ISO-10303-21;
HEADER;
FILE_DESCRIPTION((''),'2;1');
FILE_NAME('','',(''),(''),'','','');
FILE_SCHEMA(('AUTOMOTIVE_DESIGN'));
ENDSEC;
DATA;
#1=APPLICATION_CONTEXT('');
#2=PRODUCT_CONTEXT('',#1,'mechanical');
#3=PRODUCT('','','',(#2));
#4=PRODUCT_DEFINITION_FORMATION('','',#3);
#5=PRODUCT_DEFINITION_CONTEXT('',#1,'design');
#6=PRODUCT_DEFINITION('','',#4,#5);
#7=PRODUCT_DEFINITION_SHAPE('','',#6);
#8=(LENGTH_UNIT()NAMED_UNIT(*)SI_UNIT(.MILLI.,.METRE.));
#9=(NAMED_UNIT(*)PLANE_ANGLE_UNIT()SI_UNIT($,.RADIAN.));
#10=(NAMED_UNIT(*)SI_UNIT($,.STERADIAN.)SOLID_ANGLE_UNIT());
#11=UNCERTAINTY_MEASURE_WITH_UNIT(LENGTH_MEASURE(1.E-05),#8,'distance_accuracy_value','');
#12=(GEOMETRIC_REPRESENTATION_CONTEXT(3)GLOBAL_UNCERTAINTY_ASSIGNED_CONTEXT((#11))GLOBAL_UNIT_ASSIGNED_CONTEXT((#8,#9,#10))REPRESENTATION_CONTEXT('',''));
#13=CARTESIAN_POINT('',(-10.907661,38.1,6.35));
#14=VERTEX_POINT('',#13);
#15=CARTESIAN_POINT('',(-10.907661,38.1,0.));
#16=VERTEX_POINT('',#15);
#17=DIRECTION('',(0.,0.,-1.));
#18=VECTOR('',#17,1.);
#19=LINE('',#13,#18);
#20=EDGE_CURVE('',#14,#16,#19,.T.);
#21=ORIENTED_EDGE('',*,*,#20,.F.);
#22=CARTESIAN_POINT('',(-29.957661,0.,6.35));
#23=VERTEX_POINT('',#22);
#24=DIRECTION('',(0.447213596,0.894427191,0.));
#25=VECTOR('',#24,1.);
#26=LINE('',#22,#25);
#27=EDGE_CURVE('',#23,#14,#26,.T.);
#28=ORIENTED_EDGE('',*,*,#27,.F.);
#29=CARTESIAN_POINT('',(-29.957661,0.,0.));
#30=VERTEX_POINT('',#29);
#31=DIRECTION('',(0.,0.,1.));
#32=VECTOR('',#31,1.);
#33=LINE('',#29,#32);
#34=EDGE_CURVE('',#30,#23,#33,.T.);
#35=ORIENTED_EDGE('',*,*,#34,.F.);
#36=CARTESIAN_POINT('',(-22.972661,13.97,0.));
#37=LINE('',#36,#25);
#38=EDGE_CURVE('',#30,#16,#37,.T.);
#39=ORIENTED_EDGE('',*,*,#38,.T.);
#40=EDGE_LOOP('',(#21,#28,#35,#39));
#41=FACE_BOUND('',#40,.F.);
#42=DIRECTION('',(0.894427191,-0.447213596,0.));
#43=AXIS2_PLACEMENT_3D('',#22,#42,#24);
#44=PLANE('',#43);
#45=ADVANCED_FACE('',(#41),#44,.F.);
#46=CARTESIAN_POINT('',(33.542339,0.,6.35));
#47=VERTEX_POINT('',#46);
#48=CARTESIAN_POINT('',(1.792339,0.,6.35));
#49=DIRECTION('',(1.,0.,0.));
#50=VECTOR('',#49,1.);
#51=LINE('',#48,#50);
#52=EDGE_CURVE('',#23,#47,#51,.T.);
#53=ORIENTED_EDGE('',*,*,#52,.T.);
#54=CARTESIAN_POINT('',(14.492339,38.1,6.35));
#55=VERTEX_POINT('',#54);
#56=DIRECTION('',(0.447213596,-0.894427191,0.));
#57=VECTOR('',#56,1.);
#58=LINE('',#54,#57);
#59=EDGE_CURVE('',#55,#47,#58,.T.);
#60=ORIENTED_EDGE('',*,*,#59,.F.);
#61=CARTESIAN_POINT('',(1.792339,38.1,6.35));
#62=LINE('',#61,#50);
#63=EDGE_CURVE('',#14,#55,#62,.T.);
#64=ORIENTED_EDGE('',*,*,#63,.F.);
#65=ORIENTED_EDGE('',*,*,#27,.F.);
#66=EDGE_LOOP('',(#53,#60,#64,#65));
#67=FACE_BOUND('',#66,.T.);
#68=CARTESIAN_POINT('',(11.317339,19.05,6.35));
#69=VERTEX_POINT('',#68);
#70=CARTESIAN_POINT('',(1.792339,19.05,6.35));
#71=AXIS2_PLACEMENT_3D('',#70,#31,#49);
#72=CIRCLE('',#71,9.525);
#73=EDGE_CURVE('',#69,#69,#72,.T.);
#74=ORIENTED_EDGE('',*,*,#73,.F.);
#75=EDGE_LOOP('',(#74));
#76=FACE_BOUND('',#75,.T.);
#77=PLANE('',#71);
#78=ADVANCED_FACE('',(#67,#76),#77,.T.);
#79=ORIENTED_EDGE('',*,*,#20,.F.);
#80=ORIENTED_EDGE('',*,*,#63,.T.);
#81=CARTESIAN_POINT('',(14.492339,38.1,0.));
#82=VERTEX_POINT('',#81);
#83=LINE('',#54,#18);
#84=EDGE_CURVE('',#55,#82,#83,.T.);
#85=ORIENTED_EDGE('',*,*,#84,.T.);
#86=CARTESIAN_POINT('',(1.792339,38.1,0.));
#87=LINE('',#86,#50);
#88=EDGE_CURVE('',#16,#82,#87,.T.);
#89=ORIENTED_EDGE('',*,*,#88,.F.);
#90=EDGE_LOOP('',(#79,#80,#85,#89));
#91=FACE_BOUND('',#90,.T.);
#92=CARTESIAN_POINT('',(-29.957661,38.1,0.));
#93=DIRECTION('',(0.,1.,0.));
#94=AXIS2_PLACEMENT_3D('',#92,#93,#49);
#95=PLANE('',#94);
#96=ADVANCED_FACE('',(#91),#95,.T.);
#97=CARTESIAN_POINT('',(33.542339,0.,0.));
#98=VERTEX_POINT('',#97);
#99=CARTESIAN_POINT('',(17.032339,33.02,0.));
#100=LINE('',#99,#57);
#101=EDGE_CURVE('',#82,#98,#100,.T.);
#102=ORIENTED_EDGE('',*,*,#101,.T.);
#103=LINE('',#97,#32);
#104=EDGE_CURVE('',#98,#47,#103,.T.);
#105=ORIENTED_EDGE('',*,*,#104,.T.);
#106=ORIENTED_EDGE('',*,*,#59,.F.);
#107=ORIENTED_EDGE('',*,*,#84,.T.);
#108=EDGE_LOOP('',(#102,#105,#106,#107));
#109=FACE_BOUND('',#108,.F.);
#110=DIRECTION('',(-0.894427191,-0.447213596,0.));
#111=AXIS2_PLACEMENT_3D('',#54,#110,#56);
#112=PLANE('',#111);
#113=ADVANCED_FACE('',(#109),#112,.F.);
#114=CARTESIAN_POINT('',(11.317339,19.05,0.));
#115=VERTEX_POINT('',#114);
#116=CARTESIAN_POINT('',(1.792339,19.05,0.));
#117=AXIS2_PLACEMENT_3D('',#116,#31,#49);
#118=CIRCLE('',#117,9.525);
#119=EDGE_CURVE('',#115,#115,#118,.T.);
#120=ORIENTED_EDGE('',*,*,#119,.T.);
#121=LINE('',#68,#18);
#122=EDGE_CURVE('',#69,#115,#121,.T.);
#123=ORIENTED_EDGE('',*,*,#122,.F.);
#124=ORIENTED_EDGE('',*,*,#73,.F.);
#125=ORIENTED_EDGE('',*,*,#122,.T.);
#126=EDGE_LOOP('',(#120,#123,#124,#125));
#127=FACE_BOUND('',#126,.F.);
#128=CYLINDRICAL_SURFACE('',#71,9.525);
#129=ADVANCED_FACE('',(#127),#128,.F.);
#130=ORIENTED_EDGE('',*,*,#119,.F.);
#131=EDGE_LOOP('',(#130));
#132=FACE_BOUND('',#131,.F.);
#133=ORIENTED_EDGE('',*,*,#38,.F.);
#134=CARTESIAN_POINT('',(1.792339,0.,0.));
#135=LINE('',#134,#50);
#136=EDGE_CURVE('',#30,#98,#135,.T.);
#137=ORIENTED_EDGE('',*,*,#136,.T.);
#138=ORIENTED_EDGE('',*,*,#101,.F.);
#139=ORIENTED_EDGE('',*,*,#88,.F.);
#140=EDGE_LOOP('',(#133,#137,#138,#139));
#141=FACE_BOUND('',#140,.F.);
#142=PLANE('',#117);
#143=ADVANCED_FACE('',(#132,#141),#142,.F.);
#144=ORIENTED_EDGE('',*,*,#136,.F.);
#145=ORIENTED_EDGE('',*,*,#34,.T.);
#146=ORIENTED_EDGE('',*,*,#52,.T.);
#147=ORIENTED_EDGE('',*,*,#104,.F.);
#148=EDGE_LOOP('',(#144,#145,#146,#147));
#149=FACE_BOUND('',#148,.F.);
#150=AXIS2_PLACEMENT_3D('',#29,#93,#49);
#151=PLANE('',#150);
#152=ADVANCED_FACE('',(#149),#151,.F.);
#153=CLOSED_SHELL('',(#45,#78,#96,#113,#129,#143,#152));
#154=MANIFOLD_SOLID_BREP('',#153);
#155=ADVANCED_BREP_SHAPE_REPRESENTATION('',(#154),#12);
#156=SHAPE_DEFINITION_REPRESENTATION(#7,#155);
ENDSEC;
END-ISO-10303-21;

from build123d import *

# Parameters (mm, degrees)
F0_W     = 63.5
F0_H     = 38.1
F1_DEPTH = 6.35
F2_R     = 9.525
F3_DEPTH = 25.4


with BuildPart() as f1:
    # F0 (on Top) → F1 (new body)
    with BuildSketch(Plane.XY):
        with Locations((1.792339, 19.05)):
            Rectangle(F0_W, F0_H)
    extrude(amount=F1_DEPTH)

    # F2 (on face) → F3 (cut)
    with BuildSketch(Plane.XY.offset(6.35)):
        Polygon((-29.957661, 0), (-10.907661, 38.1), (-29.957661, 38.1), align=None)
        Polygon((33.542339, 38.1), (14.492339, 38.1), (33.542339, 0), align=None)
        with Locations((1.792339, 19.05)):
            Circle(F2_R)
    extrude(amount=-F3_DEPTH, mode=Mode.SUBTRACT)


solid = f1.part
